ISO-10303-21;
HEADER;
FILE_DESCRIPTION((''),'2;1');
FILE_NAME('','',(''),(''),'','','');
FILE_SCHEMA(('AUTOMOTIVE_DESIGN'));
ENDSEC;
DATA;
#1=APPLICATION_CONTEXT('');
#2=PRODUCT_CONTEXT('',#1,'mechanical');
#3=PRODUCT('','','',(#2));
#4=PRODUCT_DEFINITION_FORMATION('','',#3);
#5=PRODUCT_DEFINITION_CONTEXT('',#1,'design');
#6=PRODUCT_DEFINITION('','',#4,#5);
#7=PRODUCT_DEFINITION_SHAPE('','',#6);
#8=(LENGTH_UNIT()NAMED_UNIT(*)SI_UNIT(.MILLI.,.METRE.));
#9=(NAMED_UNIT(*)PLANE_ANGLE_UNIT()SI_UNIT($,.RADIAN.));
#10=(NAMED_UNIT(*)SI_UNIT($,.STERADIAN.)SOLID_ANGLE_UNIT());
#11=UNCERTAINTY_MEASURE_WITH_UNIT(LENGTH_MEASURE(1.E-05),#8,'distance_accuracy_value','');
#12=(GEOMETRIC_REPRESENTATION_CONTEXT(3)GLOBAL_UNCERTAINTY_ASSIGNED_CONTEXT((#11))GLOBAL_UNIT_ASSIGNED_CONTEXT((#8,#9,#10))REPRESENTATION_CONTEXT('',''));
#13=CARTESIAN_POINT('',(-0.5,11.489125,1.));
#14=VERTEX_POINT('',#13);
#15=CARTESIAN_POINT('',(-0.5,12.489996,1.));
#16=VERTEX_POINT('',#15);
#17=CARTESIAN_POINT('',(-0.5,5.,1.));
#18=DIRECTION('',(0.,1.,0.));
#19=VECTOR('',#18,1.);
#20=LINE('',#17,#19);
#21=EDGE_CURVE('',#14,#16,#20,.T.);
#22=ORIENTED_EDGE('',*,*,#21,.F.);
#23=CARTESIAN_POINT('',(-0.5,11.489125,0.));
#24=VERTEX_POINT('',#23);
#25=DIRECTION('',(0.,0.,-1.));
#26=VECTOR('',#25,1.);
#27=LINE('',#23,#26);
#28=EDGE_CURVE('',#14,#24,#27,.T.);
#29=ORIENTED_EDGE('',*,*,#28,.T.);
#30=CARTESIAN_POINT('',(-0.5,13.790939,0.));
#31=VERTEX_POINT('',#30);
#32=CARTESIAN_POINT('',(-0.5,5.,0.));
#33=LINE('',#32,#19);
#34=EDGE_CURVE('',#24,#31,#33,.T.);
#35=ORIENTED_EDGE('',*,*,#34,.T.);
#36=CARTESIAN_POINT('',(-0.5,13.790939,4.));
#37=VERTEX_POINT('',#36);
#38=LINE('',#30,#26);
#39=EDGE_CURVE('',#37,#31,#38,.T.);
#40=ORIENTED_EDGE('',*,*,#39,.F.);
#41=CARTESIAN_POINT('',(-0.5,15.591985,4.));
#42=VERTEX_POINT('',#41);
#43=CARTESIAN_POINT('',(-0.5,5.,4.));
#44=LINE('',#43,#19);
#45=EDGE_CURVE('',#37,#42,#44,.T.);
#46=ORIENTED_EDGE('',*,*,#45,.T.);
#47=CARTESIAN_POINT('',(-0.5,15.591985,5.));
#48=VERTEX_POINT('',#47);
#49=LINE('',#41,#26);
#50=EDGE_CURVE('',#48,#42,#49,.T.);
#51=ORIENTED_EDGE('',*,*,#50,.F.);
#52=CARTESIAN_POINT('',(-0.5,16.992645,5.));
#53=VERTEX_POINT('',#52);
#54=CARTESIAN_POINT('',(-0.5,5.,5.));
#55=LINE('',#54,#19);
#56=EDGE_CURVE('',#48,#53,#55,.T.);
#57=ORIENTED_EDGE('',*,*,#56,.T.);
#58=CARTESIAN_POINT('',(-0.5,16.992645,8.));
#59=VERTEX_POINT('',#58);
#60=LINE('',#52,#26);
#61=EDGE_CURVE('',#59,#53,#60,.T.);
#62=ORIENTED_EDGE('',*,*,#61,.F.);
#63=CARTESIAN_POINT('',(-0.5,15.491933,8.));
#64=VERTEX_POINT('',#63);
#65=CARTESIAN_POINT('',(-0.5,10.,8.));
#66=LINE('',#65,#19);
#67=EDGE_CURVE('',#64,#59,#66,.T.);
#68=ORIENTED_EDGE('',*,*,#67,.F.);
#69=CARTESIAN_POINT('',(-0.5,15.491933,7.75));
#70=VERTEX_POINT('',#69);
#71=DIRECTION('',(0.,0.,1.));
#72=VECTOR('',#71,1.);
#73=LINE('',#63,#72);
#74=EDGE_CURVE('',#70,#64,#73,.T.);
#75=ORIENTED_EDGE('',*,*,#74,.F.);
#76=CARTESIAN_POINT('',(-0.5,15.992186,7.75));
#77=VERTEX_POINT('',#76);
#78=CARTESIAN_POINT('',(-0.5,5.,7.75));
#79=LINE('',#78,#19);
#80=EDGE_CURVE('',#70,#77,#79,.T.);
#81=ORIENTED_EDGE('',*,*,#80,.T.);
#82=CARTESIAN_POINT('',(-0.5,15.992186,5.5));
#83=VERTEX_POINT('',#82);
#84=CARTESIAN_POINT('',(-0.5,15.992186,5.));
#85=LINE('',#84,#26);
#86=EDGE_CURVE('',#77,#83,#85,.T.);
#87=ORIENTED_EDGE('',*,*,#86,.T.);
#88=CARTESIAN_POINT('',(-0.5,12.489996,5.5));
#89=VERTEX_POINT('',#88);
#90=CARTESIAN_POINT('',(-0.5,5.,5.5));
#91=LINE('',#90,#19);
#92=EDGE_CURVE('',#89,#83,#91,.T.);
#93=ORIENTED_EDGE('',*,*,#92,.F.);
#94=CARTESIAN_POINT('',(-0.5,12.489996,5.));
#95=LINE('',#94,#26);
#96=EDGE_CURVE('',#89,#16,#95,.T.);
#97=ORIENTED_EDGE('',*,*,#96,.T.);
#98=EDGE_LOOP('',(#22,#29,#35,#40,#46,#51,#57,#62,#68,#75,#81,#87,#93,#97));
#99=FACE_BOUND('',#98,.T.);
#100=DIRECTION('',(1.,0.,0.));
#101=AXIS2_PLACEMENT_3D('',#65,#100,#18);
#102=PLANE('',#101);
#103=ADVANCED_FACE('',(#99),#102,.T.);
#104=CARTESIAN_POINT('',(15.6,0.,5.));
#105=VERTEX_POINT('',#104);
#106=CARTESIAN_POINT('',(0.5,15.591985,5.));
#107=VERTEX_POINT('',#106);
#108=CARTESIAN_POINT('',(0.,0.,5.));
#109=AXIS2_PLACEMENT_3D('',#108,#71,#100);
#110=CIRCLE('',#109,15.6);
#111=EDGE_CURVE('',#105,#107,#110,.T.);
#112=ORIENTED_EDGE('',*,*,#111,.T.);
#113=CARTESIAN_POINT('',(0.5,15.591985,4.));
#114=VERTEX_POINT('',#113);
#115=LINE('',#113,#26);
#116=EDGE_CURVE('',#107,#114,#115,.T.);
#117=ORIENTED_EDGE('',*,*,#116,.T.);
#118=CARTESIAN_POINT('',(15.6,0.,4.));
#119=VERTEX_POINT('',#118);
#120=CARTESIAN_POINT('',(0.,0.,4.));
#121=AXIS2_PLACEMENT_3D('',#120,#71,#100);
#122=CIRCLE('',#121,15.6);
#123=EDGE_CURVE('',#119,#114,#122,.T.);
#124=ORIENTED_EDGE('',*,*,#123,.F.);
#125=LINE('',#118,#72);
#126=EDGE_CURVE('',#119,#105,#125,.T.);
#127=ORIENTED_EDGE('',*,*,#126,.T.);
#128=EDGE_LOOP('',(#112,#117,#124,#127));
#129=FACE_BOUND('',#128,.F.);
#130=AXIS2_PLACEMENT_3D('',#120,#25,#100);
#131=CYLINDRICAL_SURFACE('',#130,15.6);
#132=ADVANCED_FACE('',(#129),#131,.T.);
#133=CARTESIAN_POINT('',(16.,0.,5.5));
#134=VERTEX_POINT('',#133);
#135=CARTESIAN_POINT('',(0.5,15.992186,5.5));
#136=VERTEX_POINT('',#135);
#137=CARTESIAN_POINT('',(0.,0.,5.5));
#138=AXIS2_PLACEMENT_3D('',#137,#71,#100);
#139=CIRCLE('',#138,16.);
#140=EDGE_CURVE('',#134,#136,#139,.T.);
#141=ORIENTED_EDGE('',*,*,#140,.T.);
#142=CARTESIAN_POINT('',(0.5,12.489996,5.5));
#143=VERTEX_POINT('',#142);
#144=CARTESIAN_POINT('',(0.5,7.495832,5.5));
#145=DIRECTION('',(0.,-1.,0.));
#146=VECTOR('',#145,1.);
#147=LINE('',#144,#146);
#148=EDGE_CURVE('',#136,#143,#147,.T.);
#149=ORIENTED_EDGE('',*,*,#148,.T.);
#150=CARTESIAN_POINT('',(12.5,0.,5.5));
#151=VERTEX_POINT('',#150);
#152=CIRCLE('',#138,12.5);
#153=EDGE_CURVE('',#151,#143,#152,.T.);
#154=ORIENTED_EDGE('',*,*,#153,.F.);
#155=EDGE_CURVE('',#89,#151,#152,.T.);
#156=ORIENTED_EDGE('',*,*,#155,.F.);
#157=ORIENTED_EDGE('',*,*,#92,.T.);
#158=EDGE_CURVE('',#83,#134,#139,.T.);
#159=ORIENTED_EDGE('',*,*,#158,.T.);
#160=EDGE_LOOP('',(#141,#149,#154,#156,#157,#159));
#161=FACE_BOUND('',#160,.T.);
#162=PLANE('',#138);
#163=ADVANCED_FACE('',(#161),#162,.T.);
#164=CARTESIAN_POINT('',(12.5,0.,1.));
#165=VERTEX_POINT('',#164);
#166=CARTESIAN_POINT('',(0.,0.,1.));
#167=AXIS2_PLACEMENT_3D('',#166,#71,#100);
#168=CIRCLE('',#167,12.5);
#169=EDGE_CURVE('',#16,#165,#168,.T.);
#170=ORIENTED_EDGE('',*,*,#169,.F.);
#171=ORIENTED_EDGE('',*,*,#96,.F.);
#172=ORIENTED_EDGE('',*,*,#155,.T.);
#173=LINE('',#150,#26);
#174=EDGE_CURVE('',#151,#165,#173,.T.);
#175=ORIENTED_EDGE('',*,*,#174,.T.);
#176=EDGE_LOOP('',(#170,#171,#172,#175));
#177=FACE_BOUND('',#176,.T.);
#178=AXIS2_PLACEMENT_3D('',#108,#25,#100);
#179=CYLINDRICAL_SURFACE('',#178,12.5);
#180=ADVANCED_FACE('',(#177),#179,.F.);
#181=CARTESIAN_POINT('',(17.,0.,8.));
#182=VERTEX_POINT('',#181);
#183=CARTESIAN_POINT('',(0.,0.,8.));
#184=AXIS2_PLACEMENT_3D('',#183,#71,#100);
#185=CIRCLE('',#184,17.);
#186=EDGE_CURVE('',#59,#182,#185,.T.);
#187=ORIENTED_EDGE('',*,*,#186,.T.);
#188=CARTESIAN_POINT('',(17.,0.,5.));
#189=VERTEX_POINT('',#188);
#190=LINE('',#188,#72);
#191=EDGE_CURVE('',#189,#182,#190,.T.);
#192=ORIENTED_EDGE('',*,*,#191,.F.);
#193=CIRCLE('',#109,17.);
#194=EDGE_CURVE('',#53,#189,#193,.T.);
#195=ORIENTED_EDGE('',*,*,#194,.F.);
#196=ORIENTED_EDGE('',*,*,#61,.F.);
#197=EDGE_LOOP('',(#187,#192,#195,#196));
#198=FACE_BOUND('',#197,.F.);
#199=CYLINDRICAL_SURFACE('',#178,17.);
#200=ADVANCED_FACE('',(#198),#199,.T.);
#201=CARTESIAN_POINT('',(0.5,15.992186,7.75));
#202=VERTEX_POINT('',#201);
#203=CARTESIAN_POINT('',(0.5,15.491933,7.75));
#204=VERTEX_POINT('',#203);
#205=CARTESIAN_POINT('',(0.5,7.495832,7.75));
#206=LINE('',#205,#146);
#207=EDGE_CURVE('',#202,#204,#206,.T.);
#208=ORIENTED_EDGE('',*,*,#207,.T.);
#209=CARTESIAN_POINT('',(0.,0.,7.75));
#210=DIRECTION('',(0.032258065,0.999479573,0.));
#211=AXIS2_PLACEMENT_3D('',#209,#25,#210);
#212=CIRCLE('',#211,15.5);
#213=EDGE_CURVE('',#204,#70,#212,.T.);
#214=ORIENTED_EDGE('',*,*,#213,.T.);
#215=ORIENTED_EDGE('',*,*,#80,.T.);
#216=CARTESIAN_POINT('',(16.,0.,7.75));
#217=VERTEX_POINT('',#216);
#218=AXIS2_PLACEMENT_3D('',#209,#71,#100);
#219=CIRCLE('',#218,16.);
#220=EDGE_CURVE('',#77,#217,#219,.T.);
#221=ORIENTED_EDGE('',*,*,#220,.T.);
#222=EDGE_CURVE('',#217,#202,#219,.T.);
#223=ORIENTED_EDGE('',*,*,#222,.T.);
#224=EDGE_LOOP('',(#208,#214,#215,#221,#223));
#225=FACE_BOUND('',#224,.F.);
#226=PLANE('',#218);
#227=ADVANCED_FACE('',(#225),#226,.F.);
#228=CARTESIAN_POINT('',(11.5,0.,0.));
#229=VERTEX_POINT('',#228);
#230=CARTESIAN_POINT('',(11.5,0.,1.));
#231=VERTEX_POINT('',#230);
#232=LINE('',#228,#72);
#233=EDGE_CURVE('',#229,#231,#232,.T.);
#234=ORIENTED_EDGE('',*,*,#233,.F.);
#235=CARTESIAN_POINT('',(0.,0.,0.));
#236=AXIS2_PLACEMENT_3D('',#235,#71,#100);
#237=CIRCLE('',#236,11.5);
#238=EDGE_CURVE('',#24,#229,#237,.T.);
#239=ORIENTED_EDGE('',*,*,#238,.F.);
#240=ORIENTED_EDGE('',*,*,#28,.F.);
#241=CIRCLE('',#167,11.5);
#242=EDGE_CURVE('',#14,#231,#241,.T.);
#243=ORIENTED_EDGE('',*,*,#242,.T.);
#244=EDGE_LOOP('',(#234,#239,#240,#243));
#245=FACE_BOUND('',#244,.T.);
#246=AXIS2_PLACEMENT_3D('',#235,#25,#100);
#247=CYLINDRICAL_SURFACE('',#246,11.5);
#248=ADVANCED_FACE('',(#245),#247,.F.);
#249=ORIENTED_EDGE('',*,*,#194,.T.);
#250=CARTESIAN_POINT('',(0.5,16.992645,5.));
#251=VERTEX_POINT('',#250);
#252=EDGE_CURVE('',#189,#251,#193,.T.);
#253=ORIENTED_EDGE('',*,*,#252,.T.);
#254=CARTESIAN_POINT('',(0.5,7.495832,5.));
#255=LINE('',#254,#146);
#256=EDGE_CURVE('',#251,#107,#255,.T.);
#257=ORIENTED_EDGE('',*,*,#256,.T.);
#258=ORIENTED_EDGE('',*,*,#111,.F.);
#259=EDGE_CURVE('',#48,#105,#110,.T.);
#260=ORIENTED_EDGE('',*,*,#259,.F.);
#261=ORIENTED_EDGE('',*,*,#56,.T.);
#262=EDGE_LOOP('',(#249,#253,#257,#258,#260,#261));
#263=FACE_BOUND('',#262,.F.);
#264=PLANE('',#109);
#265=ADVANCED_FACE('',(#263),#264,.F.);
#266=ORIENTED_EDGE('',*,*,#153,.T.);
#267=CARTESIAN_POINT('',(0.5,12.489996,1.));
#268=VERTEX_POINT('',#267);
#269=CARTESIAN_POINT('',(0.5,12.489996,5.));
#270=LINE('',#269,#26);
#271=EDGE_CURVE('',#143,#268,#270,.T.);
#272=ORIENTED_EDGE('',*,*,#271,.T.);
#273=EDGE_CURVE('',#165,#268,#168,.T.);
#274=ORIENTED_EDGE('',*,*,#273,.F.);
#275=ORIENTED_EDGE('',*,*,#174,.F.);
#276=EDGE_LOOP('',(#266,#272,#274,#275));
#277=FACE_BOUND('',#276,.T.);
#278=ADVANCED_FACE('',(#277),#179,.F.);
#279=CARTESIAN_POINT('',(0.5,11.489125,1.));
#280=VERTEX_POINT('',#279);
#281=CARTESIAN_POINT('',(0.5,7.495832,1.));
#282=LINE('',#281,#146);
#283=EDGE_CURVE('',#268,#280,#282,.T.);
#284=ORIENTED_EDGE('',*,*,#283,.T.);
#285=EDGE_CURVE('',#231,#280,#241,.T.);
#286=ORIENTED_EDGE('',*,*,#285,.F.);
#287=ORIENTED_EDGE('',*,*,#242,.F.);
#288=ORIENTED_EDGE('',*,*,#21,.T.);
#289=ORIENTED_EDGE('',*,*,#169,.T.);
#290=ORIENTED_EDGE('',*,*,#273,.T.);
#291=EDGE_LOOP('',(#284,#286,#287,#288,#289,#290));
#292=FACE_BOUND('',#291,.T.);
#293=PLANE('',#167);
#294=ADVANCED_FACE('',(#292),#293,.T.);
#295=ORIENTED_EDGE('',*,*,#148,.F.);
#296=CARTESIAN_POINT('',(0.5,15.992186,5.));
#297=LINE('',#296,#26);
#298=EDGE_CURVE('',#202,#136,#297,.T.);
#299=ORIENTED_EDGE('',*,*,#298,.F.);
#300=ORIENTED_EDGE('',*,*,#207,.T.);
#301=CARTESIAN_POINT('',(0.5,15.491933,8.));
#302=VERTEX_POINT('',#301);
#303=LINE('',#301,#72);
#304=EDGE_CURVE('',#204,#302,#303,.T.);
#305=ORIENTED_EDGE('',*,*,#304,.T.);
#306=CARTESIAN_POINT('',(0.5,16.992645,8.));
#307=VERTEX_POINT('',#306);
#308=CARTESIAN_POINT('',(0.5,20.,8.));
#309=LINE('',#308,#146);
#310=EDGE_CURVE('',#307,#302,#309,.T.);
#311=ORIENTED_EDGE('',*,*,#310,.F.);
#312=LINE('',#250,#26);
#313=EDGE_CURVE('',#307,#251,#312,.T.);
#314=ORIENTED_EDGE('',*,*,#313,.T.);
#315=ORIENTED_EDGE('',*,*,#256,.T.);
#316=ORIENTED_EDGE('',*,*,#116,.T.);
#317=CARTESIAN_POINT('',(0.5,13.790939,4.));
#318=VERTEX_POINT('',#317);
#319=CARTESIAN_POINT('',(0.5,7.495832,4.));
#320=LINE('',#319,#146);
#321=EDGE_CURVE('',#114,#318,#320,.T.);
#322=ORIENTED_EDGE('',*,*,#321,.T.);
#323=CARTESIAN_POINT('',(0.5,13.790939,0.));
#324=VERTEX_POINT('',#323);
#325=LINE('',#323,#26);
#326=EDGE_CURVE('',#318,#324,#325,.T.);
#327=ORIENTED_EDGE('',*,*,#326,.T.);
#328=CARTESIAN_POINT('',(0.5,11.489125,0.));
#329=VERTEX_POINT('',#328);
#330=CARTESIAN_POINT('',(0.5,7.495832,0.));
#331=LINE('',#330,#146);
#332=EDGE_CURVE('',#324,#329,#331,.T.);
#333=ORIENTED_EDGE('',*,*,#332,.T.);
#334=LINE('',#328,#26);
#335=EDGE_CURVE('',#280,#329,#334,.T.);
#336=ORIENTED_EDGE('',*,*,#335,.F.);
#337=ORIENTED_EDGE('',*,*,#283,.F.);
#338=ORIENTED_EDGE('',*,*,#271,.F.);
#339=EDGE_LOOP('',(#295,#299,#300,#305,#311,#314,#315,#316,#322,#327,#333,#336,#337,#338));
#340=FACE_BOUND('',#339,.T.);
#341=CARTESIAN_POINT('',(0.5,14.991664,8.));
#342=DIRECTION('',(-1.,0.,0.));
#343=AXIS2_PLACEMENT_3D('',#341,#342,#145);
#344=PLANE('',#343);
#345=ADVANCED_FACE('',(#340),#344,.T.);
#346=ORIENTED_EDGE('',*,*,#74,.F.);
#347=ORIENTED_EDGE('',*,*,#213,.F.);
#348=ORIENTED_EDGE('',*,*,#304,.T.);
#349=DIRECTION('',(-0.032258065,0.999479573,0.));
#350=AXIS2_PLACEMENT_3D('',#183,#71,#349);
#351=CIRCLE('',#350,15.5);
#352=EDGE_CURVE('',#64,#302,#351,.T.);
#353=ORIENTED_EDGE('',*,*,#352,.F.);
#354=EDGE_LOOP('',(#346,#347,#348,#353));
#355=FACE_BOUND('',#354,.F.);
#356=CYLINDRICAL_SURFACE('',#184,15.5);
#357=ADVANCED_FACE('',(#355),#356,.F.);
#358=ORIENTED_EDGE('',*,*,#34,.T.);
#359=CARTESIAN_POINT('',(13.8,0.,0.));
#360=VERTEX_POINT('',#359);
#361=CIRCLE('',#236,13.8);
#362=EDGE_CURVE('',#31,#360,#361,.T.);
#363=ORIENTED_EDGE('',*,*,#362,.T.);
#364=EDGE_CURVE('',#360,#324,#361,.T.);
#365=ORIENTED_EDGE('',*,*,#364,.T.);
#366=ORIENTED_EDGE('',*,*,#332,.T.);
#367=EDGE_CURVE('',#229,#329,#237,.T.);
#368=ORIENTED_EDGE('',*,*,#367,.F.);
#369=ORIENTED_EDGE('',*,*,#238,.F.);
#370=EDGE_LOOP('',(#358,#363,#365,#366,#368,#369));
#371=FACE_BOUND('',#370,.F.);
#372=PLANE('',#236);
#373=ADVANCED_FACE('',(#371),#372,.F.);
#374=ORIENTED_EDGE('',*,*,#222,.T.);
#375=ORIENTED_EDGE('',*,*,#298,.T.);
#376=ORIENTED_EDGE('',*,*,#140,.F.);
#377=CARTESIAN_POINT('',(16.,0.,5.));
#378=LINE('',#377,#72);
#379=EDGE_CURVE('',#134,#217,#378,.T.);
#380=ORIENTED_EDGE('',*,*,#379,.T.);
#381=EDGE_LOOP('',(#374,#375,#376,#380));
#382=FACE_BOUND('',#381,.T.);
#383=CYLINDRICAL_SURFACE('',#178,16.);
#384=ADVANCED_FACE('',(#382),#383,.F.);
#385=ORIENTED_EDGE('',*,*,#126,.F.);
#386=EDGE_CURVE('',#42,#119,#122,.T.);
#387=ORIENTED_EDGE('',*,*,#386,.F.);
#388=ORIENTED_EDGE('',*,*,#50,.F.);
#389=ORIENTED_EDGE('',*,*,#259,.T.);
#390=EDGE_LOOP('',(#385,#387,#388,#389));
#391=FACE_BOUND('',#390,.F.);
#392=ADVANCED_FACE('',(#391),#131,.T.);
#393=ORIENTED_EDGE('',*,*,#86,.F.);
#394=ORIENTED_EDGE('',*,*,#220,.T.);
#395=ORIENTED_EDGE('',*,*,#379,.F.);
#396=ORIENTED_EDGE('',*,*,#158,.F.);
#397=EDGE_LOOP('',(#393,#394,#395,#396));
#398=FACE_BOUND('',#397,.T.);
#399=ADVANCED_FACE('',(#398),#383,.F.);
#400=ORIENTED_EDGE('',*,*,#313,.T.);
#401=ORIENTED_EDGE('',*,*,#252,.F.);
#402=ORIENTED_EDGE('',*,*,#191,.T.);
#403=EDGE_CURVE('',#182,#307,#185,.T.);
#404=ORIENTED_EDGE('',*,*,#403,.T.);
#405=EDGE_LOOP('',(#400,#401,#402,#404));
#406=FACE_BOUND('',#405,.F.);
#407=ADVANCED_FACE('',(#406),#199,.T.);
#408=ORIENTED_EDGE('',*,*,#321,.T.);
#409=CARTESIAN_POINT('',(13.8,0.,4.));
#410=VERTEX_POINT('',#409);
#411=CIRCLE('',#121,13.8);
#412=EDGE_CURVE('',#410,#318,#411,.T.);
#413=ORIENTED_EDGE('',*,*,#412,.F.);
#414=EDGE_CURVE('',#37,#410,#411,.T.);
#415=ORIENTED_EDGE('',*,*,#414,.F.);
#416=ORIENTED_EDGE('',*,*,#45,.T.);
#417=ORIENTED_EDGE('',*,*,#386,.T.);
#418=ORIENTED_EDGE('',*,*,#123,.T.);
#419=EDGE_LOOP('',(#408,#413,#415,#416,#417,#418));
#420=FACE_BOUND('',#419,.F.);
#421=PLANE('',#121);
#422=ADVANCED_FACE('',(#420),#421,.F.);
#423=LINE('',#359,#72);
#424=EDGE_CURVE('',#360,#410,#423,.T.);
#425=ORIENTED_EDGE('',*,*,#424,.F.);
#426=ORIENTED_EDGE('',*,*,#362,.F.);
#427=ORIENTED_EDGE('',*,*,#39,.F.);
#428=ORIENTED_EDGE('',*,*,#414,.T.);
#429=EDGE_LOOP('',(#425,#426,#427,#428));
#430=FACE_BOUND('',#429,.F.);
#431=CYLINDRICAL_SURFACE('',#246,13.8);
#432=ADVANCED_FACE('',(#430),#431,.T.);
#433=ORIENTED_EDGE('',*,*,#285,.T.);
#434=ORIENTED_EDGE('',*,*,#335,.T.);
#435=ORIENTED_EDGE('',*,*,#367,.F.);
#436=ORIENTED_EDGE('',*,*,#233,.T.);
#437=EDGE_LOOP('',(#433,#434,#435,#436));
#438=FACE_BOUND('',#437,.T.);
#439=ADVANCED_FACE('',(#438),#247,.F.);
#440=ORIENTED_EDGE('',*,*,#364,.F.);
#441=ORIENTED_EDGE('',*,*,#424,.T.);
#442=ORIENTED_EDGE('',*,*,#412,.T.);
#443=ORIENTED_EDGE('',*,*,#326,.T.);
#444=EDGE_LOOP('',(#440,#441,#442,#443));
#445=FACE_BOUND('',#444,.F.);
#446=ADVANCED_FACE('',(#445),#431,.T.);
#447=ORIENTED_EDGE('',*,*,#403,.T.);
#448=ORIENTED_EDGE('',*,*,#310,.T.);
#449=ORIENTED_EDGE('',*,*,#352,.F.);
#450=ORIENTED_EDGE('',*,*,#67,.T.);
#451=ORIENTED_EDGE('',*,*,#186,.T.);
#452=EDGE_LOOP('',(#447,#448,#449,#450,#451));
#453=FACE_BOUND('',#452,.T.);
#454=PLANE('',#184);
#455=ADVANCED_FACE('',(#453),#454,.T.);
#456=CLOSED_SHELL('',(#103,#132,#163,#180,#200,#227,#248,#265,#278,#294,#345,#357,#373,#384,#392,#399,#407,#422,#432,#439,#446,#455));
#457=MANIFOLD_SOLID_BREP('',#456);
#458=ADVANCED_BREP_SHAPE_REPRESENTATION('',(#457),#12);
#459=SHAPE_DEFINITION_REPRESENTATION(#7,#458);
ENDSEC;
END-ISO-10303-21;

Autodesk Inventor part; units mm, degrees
ref_plane "YZ Plane" through (0, 0, 0) normal (1, 0, 0) x (0, 1, 0)
ref_plane "XZ Plane" through (0, 0, 0) normal (0, 1, 0) x (-1, 0, 0)
ref_plane "XY Plane" through (0, 0, 0) normal (0, 0, 1) x (1, 0, 0)
sketch "Sketch1" plane through (0, 0, 0) normal (0, 0, 1) x (1, 0, 0)
  circle A0 centre (0, 0) radius 13.8
  circle A1 centre (0, 0) radius 11.5
  circle A2 centre (0, 0) radius 15.6
  circle A3 centre (0, 0) radius 12.5
  dimension "d0" = 27.6
  dimension "d1" = 23
  dimension "d2" = 31.2
  dimension "d3" = 25
extrude "Extrusion1" add sketch "Sketch1" along normal blind 1 contours A3
extrude "Extrusion2" add sketch "Sketch1" along normal blind 4 contours A0
sketch "Sketch2" plane through (0, 0, 4) normal (0, 0, 1) x (1, 0, 0)
  circle A0 centre (0, 0) radius 15.6 projected
  circle A1 centre (0, 0) radius 12.5 projected
extrude "Extrusion3" add sketch "Sketch2" along normal blind 1
sketch "Sketch4" plane through (0, 0, 5) normal (0, 0, 1) x (1, 0, 0)
  circle A0 centre (0, 0) radius 16
  circle A1 centre (0, 0) radius 17
  circle A2 centre (0, 0) radius 12.5 projected
  dimension "d14" = 32
  dimension "d15" = 34
extrude "Extrusion5" add sketch "Sketch4" along normal blind 0.5 contours A0
extrude "Extrusion6" add sketch "Sketch4" along normal blind 3 contours A1
sketch "Sketch5" plane through (0, 0, 8) normal (0, 0, 1) x (1, 0, 0)
  circle A0 centre (0, 0) radius 16 projected
  circle A1 centre (0, 0) radius 15.5
  dimension "d20" = 31
extrude "Extrusion7" add sketch "Sketch5" against normal blind 0.25
sketch "Sketch8" plane through (0, 0, 8) normal (0, 0, 1) x (1, 0, 0)
  line L0 (0.5, 10) -> (-0.5, 10)
  line L1 (-0.5, 10) -> (-0.5, 20)
  line L2 (-0.5, 20) -> (0.5, 20)
  line L3 (0.5, 20) -> (0.5, 10)
  circle A0 centre (0, 0) radius 15 projected
  line L4 (0.5, 10) -> (-0.5, 20) construction
  line L5 (-0.5, 10) -> (0.5, 20) construction
  point P0 (0, 15)
  dimension "d30" = 1
  dimension "d31" = 10
extrude "Extrusion10" cut sketch "Sketch8" against normal blind 10 contours L0 L1 A0 L3 | A0 L1 L2 L3 picked at (-0.0556, 11.6664)
properties part number "32to25mmFilterAdapter"
